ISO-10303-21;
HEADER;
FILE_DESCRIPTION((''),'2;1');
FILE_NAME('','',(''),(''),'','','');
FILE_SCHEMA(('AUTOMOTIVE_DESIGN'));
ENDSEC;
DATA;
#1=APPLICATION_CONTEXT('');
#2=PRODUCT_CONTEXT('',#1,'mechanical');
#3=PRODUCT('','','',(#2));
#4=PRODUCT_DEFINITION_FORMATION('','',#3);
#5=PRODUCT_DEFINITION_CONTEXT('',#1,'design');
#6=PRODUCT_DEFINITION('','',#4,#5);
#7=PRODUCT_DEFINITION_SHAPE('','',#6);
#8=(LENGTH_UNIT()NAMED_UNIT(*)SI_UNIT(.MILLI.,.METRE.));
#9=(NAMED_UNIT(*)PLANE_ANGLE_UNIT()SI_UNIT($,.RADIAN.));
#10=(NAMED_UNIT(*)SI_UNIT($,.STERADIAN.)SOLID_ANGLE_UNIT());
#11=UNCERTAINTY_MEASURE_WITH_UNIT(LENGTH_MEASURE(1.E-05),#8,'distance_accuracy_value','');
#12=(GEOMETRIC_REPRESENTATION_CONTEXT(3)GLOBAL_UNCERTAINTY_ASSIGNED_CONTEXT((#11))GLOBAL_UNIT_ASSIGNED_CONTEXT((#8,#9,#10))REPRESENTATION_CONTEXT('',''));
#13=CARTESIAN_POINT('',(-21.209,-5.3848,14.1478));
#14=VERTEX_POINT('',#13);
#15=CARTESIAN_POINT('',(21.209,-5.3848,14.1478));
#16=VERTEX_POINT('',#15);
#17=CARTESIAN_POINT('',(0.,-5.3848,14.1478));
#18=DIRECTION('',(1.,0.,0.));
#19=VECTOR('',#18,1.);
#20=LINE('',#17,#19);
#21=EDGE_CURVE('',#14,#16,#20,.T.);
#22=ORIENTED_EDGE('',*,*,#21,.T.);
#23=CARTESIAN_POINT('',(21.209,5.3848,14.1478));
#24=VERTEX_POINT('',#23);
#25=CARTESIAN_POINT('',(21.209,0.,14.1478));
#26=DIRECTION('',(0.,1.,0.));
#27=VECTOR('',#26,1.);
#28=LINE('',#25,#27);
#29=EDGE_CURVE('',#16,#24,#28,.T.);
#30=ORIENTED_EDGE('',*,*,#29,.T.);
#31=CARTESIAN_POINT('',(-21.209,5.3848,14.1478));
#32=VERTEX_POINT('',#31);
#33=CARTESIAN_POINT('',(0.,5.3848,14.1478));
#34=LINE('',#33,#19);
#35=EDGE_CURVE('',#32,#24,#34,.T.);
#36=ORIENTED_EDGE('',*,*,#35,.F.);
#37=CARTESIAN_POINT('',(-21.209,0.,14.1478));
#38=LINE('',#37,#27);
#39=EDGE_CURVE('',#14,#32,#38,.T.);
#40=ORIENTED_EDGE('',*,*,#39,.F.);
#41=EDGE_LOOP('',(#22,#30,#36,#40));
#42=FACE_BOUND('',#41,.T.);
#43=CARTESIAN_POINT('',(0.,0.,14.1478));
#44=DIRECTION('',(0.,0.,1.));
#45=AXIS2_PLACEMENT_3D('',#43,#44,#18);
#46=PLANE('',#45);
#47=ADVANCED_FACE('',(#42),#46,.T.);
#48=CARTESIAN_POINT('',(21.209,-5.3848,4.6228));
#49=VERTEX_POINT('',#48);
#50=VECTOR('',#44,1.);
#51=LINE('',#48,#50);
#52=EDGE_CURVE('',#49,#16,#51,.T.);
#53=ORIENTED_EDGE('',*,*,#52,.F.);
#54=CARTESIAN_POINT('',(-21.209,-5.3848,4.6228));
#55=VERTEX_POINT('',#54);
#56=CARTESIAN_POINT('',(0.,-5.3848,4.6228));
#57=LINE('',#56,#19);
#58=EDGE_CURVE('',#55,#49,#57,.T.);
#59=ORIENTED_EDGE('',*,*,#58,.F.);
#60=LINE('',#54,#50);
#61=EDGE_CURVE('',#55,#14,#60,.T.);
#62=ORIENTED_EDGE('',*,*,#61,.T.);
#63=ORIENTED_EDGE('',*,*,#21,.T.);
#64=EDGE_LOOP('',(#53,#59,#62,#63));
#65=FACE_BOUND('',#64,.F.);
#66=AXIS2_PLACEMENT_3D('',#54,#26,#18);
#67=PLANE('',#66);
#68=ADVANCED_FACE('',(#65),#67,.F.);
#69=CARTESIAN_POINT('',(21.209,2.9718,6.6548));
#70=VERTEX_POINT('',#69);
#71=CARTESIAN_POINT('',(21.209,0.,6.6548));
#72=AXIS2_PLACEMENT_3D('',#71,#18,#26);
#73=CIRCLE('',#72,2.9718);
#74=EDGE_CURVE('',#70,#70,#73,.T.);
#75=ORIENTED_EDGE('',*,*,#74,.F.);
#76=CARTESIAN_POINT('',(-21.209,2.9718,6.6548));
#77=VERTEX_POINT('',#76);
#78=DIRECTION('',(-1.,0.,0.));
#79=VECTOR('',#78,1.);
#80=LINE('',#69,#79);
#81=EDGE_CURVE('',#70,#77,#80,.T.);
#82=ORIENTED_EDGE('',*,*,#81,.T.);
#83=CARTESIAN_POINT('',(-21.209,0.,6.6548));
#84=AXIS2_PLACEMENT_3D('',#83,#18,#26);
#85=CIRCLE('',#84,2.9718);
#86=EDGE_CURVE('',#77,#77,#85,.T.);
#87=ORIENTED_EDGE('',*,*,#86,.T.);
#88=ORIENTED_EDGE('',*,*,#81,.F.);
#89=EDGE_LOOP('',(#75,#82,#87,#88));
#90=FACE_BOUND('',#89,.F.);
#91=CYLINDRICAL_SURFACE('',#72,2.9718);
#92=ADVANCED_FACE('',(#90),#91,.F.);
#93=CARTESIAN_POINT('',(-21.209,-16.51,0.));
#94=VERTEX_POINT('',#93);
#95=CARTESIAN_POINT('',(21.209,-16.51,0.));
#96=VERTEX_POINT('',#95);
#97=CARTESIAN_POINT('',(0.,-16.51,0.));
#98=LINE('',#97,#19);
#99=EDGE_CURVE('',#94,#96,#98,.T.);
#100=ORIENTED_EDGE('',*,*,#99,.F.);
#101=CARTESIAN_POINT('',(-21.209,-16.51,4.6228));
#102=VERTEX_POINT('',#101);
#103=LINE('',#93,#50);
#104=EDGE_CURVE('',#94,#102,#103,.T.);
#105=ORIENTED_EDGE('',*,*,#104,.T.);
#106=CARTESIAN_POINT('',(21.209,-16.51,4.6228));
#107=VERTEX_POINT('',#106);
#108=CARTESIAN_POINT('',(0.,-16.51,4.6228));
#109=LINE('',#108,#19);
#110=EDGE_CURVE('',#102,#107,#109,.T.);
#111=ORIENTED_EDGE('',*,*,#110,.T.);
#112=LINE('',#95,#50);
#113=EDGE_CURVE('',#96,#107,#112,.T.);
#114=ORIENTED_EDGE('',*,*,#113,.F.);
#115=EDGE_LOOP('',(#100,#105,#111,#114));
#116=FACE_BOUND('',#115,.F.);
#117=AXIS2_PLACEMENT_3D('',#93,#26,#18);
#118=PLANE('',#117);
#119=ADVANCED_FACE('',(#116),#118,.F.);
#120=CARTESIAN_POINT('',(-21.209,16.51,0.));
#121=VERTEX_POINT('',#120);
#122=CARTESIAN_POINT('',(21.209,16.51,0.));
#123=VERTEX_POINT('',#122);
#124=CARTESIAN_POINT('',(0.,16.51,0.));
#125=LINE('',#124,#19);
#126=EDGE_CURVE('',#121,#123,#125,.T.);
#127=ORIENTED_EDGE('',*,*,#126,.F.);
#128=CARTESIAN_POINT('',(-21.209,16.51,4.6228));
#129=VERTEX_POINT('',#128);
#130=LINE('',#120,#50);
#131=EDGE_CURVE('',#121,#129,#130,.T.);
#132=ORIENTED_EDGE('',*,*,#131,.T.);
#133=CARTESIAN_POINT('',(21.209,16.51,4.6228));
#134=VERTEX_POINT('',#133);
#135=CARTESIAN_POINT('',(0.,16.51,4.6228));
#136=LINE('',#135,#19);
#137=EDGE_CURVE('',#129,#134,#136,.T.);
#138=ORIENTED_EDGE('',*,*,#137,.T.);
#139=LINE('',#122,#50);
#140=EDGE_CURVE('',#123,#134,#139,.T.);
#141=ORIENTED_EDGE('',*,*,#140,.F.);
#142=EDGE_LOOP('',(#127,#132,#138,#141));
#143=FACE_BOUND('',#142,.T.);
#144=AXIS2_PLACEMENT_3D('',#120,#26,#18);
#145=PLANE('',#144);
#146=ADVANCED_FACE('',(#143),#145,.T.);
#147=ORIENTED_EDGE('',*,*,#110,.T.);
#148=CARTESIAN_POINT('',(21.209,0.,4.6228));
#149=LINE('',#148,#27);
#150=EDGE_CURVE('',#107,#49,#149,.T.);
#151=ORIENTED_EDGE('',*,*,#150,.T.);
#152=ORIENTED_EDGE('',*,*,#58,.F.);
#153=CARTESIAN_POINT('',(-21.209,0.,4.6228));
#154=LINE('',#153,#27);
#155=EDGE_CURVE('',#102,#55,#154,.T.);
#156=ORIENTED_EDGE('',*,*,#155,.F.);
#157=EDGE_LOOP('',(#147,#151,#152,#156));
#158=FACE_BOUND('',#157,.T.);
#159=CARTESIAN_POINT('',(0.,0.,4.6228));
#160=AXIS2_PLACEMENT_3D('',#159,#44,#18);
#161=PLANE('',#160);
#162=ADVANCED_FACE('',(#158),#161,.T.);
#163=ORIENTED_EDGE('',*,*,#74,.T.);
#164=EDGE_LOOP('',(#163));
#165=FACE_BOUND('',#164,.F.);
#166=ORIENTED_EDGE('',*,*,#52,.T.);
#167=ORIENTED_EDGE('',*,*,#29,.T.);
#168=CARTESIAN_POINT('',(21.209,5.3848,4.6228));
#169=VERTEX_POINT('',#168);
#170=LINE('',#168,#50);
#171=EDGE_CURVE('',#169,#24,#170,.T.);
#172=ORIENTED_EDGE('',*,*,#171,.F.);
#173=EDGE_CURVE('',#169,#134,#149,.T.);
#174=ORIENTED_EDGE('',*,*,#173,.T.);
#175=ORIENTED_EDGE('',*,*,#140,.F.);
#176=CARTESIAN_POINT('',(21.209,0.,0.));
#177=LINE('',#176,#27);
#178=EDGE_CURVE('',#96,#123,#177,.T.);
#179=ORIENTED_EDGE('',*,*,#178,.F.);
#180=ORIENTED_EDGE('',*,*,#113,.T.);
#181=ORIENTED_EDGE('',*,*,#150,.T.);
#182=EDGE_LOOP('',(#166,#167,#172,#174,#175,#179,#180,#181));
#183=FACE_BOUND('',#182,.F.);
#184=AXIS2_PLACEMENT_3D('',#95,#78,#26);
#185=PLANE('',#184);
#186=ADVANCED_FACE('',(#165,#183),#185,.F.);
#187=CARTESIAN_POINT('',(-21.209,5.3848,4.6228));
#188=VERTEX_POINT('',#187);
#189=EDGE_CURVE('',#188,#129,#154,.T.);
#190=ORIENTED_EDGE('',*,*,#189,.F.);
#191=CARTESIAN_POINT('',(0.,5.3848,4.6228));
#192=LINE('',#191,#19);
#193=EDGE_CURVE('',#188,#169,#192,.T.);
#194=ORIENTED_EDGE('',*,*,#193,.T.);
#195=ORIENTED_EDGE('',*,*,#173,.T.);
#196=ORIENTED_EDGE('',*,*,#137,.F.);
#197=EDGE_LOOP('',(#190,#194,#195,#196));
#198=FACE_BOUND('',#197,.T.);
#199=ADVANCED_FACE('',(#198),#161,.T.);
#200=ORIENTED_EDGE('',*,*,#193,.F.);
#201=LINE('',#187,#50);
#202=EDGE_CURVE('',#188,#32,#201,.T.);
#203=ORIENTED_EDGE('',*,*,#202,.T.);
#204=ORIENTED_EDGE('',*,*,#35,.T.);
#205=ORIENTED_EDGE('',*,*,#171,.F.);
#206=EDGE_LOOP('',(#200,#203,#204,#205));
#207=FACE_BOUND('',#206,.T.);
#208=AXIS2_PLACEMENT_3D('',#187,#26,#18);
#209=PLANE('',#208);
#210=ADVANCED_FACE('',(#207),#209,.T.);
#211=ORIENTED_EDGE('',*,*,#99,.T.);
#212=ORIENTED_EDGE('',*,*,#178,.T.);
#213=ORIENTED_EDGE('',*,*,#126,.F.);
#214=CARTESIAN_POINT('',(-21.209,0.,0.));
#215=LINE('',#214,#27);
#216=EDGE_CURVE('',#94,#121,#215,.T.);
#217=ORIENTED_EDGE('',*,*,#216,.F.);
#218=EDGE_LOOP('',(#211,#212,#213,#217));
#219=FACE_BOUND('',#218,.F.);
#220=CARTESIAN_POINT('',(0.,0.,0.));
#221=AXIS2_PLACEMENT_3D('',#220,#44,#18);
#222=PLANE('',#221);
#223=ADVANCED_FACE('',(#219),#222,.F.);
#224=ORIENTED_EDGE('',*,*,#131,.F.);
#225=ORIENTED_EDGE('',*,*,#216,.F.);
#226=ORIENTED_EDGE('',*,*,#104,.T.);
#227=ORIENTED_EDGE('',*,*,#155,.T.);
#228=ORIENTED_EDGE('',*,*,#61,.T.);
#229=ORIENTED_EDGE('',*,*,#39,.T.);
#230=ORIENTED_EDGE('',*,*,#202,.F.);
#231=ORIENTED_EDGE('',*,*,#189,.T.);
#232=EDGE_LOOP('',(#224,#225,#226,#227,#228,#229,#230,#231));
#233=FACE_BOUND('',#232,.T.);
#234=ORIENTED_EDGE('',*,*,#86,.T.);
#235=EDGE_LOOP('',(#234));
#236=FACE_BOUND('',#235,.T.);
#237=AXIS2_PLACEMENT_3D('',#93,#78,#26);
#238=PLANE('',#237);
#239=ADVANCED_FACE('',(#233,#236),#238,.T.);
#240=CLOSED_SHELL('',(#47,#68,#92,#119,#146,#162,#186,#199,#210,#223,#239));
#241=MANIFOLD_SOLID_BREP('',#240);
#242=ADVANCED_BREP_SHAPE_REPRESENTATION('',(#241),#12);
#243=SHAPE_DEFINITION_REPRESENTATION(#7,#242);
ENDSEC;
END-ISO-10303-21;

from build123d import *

# Parameters (mm, degrees)
F0_W     = 42.418
F0_H     = 33.02
F1_DEPTH = 4.6228
F2_W     = 42.418
F2_H     = 10.7696
F3_DEPTH = 9.525
F4_R     = 2.9718
F5_DEPTH = 50.8


with BuildPart() as f1:
    # F0 (on Top) → F1 (new body)
    with BuildSketch(Plane.XY):
        Rectangle(F0_W, F0_H)
    extrude(amount=F1_DEPTH)

    # F2 (on face) → F3 (join)
    with BuildSketch(Plane.XY.offset(4.6228)):
        Rectangle(F2_W, F2_H)
    extrude(amount=F3_DEPTH)

    # F4 (on face) → F5 (cut)
    with BuildSketch(Plane.YZ.offset(21.209)):
        with Locations((0, 6.6548)):
            Circle(F4_R)
    extrude(amount=-F5_DEPTH, mode=Mode.SUBTRACT)


solid = f1.part
